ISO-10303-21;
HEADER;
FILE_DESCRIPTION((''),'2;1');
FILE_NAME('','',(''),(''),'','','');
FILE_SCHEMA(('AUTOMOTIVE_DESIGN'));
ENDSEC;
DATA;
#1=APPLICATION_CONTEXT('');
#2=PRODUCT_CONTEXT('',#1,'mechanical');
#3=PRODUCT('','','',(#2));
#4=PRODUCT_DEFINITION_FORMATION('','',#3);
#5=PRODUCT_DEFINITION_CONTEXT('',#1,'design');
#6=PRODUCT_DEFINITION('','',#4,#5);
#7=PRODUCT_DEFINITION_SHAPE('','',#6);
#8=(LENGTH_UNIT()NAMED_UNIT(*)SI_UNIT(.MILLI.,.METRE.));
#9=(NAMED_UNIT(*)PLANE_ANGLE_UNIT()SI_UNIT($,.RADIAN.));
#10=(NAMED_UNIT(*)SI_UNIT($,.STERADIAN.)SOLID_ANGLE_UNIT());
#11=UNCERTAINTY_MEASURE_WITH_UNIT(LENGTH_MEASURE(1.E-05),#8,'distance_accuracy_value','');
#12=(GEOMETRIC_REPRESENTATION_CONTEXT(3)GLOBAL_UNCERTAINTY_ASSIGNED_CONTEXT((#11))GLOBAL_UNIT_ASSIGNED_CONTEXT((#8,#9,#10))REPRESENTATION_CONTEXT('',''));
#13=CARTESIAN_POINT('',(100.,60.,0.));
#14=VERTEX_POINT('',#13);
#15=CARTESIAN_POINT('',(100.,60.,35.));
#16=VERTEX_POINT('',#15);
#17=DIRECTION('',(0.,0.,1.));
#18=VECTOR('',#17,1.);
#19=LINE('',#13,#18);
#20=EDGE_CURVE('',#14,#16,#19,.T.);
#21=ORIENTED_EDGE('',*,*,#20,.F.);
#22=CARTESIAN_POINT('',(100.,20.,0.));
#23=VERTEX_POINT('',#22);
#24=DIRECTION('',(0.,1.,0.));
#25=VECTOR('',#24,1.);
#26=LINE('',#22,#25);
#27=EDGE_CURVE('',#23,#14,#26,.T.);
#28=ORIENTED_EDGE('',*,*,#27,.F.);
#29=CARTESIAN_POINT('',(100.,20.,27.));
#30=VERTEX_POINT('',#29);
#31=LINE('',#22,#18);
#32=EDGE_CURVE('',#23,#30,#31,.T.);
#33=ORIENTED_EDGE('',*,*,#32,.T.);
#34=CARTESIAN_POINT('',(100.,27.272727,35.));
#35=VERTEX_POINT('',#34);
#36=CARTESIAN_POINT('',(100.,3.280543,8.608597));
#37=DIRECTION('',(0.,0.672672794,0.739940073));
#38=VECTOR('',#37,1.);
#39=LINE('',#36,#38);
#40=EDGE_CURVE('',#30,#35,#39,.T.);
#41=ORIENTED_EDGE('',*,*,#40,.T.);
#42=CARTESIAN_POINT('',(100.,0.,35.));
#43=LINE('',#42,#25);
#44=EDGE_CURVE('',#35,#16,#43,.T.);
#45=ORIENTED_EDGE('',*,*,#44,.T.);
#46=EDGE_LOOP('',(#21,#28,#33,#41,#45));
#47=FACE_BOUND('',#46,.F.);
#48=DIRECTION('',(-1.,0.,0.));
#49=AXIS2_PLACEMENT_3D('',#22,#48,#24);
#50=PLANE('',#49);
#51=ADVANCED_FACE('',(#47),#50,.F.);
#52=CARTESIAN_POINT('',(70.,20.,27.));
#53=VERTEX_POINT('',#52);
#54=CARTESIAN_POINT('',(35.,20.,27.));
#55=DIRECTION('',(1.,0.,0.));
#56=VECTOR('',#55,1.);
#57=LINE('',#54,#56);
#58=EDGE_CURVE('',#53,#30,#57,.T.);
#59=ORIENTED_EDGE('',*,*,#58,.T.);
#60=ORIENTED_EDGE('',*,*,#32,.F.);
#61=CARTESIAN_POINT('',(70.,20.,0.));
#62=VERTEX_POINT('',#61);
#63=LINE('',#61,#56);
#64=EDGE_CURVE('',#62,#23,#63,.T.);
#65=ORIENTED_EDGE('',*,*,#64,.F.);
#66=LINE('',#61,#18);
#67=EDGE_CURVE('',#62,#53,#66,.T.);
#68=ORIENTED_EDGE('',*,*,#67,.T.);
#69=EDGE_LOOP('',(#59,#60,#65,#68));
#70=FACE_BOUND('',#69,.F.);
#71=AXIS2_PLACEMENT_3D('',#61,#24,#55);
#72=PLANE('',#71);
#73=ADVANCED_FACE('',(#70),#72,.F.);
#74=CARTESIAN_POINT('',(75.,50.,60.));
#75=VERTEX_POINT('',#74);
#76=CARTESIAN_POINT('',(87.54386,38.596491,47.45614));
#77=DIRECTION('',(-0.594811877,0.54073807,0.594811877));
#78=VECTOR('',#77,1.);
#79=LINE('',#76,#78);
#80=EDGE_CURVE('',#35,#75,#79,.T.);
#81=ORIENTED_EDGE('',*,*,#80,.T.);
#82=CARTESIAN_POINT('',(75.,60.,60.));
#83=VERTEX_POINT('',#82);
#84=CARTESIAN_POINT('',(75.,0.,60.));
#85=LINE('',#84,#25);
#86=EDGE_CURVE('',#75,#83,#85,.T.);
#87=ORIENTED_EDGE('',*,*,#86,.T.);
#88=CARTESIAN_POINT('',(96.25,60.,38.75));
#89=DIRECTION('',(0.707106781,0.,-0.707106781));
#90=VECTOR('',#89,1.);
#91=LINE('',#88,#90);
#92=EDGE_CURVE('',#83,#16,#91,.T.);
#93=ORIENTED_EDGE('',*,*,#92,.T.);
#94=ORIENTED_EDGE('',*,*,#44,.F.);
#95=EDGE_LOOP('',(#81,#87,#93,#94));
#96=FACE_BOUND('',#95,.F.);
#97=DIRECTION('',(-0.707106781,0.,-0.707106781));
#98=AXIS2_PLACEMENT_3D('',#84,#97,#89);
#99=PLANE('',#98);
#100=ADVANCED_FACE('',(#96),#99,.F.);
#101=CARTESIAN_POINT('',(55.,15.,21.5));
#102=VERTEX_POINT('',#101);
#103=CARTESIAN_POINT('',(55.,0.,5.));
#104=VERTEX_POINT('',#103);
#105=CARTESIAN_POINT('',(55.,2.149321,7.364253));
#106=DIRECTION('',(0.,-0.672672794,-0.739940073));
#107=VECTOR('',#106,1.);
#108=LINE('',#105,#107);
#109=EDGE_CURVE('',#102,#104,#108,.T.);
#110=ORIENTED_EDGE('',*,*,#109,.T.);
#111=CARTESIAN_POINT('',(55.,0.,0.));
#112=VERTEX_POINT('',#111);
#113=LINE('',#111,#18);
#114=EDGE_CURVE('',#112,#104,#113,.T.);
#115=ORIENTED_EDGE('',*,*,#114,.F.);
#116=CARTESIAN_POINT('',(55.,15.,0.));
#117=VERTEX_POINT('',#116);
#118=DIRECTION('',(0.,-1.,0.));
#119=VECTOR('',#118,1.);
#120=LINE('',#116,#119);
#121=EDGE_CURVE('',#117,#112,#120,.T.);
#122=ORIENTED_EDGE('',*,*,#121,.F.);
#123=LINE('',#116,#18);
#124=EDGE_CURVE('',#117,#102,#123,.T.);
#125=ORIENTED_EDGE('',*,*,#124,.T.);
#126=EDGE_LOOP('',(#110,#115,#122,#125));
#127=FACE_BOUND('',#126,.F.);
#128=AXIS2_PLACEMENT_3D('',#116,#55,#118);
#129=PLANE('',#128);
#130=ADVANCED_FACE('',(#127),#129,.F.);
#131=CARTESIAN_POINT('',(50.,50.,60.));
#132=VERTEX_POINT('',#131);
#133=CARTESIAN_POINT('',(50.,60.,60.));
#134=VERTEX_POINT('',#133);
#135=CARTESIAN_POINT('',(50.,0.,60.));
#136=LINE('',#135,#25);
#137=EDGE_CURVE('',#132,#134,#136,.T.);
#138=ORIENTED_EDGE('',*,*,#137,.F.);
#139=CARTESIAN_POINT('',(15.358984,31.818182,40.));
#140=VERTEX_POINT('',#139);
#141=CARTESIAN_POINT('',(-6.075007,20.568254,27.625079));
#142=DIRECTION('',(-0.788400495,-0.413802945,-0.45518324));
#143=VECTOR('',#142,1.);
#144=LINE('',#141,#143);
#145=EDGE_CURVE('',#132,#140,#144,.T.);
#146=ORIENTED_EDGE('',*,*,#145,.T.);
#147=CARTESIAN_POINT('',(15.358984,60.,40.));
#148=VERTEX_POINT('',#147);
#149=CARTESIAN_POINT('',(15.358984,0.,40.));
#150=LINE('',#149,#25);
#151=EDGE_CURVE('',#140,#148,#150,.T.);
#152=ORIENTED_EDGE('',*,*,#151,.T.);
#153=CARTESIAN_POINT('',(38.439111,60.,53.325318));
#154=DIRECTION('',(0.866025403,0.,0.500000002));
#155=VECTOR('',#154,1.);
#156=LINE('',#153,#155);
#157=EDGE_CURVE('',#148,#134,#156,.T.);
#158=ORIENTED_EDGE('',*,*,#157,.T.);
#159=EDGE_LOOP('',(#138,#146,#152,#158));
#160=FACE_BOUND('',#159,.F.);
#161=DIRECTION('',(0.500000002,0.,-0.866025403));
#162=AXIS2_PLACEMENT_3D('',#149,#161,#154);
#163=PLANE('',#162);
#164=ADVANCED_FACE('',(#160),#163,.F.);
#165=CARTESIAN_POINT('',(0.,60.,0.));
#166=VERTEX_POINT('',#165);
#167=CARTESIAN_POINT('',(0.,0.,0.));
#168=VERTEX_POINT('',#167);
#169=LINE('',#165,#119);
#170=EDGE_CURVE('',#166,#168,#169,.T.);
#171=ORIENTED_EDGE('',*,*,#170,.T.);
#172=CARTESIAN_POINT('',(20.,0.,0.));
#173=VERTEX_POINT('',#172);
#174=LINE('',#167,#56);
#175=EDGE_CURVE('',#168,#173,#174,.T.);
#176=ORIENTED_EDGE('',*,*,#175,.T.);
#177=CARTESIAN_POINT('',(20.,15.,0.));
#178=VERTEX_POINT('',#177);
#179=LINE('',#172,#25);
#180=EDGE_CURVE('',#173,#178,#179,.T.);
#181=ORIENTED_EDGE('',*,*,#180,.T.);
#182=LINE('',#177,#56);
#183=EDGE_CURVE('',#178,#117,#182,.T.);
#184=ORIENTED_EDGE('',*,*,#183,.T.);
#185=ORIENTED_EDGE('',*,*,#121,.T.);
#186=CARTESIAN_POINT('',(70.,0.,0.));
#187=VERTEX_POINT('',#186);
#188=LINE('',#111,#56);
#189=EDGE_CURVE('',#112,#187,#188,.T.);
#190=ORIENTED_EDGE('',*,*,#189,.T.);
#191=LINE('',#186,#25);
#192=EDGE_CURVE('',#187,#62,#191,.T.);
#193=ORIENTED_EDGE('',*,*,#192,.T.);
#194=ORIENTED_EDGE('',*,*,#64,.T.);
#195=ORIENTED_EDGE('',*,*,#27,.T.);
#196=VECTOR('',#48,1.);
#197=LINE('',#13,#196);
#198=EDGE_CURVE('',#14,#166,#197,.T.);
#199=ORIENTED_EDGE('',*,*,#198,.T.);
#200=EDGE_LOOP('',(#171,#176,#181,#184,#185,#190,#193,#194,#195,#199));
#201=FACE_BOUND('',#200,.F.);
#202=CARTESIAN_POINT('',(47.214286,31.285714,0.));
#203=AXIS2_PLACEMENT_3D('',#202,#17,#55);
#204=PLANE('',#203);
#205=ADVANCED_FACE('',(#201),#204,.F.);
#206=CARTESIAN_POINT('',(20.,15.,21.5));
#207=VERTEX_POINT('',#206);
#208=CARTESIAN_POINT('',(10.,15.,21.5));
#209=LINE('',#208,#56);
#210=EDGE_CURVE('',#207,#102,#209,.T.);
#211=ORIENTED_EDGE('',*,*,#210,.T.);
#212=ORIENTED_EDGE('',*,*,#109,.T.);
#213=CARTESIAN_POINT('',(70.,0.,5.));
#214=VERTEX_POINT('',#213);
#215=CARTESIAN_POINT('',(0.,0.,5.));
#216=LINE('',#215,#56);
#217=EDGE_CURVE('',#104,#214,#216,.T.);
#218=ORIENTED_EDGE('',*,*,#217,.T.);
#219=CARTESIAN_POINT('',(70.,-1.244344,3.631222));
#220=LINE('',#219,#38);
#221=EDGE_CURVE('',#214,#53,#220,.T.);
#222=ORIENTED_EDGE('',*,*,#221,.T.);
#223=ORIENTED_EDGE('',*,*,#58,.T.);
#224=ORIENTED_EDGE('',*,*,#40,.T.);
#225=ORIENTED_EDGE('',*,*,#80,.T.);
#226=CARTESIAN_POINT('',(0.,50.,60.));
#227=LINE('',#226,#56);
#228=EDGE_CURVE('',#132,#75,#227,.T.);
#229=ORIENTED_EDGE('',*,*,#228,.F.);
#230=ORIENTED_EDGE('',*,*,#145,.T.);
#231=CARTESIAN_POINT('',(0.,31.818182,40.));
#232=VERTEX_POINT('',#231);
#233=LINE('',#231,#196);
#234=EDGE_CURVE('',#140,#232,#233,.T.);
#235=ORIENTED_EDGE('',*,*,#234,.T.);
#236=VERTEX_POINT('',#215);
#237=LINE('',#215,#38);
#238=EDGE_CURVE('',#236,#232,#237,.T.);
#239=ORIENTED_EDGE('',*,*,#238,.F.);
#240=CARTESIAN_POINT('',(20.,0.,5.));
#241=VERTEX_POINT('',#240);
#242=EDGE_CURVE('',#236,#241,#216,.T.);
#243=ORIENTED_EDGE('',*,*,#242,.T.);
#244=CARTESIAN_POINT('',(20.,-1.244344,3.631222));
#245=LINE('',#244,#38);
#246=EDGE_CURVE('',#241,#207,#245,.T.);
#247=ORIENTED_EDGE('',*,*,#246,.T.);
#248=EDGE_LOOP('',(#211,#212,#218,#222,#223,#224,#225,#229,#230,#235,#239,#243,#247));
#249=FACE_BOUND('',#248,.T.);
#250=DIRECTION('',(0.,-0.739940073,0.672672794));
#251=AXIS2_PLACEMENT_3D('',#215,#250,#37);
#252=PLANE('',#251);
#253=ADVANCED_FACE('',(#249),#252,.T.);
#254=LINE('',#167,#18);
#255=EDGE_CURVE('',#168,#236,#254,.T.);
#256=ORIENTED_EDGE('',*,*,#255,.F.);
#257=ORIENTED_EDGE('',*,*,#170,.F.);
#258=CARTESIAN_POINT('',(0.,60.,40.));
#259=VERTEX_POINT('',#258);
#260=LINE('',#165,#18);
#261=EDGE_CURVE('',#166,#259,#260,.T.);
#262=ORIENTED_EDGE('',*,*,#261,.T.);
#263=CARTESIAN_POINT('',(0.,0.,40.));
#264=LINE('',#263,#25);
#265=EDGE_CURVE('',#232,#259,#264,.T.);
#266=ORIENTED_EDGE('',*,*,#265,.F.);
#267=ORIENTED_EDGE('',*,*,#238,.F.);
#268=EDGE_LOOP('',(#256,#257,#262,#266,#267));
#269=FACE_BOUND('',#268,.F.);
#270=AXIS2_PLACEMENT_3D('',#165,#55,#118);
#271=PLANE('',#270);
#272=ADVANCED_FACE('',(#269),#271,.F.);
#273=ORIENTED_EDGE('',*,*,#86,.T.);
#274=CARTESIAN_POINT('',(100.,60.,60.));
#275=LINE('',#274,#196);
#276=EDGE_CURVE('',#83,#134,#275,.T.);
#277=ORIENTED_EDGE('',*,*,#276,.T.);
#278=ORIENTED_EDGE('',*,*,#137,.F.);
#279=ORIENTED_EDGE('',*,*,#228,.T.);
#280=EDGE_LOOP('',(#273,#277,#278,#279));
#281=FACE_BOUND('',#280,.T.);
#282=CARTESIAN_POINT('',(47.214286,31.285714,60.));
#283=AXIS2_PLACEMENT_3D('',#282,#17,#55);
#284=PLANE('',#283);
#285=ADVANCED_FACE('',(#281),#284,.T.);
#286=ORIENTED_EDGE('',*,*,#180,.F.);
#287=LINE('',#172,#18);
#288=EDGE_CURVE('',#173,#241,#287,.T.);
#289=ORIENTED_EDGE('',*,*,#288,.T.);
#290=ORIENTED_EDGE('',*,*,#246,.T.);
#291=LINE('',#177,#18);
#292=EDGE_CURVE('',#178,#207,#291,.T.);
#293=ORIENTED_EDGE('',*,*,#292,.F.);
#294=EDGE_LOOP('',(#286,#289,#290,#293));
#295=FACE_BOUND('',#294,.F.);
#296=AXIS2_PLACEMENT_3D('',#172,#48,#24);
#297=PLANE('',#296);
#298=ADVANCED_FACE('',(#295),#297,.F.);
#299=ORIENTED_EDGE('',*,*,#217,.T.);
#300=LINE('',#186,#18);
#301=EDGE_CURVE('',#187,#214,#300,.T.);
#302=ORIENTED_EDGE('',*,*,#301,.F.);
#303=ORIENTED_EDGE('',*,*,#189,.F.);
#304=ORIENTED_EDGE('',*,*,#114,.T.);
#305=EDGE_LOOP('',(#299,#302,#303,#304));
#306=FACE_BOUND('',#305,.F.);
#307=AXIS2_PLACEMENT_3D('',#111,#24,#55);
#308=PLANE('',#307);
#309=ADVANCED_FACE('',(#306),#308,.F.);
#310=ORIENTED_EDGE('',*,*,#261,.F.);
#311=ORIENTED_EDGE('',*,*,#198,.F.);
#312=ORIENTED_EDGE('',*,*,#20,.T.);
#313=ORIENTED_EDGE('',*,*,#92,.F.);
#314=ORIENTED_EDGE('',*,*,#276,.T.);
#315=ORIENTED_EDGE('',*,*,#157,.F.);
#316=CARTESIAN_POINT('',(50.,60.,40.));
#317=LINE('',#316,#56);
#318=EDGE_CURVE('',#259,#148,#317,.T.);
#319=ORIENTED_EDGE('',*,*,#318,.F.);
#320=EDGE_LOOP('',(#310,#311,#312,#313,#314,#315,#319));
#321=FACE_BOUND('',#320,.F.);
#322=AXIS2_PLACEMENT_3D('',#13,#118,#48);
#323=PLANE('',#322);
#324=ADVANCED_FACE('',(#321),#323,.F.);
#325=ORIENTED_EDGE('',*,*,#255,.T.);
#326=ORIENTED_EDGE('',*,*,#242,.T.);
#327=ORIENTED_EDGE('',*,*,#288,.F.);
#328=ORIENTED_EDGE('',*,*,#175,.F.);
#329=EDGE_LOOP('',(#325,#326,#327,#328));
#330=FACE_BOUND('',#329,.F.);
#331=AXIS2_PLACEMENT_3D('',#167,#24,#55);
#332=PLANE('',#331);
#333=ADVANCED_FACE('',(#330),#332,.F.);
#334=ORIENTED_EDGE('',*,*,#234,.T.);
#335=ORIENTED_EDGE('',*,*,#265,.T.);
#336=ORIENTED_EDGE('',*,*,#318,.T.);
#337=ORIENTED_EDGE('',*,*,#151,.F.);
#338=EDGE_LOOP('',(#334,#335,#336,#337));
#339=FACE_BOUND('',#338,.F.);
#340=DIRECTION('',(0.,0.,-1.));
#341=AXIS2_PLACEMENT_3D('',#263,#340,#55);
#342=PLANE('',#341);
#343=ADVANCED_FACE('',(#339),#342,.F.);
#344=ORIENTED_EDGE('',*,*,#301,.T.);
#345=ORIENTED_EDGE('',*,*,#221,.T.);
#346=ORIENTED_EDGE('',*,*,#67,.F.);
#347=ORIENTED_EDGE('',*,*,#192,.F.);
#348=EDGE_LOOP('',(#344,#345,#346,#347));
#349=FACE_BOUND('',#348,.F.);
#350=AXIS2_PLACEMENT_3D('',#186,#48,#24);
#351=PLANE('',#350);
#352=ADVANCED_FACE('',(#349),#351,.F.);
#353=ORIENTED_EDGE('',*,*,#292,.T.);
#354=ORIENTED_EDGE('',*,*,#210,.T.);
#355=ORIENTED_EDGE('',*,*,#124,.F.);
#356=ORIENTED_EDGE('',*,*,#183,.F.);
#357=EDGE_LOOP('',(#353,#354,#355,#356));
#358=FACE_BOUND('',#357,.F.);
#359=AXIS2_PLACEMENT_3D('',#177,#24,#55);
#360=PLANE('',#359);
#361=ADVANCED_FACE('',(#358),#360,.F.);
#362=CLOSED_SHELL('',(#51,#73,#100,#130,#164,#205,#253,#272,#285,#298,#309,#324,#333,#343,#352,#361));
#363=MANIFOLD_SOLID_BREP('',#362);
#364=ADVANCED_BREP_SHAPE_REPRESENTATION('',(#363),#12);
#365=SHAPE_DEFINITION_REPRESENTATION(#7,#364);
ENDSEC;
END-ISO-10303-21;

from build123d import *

# Parameters (mm, degrees)
F1_DEPTH = 60
F3_DEPTH = 60.001
F5_DEPTH = 100.001


with BuildPart() as f1:
    # F0 (on Top) → F1 (new body)
    with BuildSketch(Plane.XY):
        Polygon((0, 60), (0, 0), (20, 0), (20, 15), (55, 15), (55, 0), (70, 0), (70, 20), (100, 20), (100, 60), align=None)
    extrude(amount=F1_DEPTH)

    # F2 (on Front) → F3 (cut, through all)
    with BuildSketch(Plane.XZ):
        Polygon((0, 60), (0, 40), (15.358984, 40), (50, 60), align=None)
        Polygon((100, 60), (75, 60), (100, 35), align=None)
    extrude(amount=-F3_DEPTH, mode=Mode.SUBTRACT)

    # F4 (on Right) → F5 (cut, through all)
    with BuildSketch(Plane.YZ):
        Polygon((0, 60), (0, 5), (50, 60), align=None)
    extrude(amount=F5_DEPTH, mode=Mode.SUBTRACT)


solid = f1.part
